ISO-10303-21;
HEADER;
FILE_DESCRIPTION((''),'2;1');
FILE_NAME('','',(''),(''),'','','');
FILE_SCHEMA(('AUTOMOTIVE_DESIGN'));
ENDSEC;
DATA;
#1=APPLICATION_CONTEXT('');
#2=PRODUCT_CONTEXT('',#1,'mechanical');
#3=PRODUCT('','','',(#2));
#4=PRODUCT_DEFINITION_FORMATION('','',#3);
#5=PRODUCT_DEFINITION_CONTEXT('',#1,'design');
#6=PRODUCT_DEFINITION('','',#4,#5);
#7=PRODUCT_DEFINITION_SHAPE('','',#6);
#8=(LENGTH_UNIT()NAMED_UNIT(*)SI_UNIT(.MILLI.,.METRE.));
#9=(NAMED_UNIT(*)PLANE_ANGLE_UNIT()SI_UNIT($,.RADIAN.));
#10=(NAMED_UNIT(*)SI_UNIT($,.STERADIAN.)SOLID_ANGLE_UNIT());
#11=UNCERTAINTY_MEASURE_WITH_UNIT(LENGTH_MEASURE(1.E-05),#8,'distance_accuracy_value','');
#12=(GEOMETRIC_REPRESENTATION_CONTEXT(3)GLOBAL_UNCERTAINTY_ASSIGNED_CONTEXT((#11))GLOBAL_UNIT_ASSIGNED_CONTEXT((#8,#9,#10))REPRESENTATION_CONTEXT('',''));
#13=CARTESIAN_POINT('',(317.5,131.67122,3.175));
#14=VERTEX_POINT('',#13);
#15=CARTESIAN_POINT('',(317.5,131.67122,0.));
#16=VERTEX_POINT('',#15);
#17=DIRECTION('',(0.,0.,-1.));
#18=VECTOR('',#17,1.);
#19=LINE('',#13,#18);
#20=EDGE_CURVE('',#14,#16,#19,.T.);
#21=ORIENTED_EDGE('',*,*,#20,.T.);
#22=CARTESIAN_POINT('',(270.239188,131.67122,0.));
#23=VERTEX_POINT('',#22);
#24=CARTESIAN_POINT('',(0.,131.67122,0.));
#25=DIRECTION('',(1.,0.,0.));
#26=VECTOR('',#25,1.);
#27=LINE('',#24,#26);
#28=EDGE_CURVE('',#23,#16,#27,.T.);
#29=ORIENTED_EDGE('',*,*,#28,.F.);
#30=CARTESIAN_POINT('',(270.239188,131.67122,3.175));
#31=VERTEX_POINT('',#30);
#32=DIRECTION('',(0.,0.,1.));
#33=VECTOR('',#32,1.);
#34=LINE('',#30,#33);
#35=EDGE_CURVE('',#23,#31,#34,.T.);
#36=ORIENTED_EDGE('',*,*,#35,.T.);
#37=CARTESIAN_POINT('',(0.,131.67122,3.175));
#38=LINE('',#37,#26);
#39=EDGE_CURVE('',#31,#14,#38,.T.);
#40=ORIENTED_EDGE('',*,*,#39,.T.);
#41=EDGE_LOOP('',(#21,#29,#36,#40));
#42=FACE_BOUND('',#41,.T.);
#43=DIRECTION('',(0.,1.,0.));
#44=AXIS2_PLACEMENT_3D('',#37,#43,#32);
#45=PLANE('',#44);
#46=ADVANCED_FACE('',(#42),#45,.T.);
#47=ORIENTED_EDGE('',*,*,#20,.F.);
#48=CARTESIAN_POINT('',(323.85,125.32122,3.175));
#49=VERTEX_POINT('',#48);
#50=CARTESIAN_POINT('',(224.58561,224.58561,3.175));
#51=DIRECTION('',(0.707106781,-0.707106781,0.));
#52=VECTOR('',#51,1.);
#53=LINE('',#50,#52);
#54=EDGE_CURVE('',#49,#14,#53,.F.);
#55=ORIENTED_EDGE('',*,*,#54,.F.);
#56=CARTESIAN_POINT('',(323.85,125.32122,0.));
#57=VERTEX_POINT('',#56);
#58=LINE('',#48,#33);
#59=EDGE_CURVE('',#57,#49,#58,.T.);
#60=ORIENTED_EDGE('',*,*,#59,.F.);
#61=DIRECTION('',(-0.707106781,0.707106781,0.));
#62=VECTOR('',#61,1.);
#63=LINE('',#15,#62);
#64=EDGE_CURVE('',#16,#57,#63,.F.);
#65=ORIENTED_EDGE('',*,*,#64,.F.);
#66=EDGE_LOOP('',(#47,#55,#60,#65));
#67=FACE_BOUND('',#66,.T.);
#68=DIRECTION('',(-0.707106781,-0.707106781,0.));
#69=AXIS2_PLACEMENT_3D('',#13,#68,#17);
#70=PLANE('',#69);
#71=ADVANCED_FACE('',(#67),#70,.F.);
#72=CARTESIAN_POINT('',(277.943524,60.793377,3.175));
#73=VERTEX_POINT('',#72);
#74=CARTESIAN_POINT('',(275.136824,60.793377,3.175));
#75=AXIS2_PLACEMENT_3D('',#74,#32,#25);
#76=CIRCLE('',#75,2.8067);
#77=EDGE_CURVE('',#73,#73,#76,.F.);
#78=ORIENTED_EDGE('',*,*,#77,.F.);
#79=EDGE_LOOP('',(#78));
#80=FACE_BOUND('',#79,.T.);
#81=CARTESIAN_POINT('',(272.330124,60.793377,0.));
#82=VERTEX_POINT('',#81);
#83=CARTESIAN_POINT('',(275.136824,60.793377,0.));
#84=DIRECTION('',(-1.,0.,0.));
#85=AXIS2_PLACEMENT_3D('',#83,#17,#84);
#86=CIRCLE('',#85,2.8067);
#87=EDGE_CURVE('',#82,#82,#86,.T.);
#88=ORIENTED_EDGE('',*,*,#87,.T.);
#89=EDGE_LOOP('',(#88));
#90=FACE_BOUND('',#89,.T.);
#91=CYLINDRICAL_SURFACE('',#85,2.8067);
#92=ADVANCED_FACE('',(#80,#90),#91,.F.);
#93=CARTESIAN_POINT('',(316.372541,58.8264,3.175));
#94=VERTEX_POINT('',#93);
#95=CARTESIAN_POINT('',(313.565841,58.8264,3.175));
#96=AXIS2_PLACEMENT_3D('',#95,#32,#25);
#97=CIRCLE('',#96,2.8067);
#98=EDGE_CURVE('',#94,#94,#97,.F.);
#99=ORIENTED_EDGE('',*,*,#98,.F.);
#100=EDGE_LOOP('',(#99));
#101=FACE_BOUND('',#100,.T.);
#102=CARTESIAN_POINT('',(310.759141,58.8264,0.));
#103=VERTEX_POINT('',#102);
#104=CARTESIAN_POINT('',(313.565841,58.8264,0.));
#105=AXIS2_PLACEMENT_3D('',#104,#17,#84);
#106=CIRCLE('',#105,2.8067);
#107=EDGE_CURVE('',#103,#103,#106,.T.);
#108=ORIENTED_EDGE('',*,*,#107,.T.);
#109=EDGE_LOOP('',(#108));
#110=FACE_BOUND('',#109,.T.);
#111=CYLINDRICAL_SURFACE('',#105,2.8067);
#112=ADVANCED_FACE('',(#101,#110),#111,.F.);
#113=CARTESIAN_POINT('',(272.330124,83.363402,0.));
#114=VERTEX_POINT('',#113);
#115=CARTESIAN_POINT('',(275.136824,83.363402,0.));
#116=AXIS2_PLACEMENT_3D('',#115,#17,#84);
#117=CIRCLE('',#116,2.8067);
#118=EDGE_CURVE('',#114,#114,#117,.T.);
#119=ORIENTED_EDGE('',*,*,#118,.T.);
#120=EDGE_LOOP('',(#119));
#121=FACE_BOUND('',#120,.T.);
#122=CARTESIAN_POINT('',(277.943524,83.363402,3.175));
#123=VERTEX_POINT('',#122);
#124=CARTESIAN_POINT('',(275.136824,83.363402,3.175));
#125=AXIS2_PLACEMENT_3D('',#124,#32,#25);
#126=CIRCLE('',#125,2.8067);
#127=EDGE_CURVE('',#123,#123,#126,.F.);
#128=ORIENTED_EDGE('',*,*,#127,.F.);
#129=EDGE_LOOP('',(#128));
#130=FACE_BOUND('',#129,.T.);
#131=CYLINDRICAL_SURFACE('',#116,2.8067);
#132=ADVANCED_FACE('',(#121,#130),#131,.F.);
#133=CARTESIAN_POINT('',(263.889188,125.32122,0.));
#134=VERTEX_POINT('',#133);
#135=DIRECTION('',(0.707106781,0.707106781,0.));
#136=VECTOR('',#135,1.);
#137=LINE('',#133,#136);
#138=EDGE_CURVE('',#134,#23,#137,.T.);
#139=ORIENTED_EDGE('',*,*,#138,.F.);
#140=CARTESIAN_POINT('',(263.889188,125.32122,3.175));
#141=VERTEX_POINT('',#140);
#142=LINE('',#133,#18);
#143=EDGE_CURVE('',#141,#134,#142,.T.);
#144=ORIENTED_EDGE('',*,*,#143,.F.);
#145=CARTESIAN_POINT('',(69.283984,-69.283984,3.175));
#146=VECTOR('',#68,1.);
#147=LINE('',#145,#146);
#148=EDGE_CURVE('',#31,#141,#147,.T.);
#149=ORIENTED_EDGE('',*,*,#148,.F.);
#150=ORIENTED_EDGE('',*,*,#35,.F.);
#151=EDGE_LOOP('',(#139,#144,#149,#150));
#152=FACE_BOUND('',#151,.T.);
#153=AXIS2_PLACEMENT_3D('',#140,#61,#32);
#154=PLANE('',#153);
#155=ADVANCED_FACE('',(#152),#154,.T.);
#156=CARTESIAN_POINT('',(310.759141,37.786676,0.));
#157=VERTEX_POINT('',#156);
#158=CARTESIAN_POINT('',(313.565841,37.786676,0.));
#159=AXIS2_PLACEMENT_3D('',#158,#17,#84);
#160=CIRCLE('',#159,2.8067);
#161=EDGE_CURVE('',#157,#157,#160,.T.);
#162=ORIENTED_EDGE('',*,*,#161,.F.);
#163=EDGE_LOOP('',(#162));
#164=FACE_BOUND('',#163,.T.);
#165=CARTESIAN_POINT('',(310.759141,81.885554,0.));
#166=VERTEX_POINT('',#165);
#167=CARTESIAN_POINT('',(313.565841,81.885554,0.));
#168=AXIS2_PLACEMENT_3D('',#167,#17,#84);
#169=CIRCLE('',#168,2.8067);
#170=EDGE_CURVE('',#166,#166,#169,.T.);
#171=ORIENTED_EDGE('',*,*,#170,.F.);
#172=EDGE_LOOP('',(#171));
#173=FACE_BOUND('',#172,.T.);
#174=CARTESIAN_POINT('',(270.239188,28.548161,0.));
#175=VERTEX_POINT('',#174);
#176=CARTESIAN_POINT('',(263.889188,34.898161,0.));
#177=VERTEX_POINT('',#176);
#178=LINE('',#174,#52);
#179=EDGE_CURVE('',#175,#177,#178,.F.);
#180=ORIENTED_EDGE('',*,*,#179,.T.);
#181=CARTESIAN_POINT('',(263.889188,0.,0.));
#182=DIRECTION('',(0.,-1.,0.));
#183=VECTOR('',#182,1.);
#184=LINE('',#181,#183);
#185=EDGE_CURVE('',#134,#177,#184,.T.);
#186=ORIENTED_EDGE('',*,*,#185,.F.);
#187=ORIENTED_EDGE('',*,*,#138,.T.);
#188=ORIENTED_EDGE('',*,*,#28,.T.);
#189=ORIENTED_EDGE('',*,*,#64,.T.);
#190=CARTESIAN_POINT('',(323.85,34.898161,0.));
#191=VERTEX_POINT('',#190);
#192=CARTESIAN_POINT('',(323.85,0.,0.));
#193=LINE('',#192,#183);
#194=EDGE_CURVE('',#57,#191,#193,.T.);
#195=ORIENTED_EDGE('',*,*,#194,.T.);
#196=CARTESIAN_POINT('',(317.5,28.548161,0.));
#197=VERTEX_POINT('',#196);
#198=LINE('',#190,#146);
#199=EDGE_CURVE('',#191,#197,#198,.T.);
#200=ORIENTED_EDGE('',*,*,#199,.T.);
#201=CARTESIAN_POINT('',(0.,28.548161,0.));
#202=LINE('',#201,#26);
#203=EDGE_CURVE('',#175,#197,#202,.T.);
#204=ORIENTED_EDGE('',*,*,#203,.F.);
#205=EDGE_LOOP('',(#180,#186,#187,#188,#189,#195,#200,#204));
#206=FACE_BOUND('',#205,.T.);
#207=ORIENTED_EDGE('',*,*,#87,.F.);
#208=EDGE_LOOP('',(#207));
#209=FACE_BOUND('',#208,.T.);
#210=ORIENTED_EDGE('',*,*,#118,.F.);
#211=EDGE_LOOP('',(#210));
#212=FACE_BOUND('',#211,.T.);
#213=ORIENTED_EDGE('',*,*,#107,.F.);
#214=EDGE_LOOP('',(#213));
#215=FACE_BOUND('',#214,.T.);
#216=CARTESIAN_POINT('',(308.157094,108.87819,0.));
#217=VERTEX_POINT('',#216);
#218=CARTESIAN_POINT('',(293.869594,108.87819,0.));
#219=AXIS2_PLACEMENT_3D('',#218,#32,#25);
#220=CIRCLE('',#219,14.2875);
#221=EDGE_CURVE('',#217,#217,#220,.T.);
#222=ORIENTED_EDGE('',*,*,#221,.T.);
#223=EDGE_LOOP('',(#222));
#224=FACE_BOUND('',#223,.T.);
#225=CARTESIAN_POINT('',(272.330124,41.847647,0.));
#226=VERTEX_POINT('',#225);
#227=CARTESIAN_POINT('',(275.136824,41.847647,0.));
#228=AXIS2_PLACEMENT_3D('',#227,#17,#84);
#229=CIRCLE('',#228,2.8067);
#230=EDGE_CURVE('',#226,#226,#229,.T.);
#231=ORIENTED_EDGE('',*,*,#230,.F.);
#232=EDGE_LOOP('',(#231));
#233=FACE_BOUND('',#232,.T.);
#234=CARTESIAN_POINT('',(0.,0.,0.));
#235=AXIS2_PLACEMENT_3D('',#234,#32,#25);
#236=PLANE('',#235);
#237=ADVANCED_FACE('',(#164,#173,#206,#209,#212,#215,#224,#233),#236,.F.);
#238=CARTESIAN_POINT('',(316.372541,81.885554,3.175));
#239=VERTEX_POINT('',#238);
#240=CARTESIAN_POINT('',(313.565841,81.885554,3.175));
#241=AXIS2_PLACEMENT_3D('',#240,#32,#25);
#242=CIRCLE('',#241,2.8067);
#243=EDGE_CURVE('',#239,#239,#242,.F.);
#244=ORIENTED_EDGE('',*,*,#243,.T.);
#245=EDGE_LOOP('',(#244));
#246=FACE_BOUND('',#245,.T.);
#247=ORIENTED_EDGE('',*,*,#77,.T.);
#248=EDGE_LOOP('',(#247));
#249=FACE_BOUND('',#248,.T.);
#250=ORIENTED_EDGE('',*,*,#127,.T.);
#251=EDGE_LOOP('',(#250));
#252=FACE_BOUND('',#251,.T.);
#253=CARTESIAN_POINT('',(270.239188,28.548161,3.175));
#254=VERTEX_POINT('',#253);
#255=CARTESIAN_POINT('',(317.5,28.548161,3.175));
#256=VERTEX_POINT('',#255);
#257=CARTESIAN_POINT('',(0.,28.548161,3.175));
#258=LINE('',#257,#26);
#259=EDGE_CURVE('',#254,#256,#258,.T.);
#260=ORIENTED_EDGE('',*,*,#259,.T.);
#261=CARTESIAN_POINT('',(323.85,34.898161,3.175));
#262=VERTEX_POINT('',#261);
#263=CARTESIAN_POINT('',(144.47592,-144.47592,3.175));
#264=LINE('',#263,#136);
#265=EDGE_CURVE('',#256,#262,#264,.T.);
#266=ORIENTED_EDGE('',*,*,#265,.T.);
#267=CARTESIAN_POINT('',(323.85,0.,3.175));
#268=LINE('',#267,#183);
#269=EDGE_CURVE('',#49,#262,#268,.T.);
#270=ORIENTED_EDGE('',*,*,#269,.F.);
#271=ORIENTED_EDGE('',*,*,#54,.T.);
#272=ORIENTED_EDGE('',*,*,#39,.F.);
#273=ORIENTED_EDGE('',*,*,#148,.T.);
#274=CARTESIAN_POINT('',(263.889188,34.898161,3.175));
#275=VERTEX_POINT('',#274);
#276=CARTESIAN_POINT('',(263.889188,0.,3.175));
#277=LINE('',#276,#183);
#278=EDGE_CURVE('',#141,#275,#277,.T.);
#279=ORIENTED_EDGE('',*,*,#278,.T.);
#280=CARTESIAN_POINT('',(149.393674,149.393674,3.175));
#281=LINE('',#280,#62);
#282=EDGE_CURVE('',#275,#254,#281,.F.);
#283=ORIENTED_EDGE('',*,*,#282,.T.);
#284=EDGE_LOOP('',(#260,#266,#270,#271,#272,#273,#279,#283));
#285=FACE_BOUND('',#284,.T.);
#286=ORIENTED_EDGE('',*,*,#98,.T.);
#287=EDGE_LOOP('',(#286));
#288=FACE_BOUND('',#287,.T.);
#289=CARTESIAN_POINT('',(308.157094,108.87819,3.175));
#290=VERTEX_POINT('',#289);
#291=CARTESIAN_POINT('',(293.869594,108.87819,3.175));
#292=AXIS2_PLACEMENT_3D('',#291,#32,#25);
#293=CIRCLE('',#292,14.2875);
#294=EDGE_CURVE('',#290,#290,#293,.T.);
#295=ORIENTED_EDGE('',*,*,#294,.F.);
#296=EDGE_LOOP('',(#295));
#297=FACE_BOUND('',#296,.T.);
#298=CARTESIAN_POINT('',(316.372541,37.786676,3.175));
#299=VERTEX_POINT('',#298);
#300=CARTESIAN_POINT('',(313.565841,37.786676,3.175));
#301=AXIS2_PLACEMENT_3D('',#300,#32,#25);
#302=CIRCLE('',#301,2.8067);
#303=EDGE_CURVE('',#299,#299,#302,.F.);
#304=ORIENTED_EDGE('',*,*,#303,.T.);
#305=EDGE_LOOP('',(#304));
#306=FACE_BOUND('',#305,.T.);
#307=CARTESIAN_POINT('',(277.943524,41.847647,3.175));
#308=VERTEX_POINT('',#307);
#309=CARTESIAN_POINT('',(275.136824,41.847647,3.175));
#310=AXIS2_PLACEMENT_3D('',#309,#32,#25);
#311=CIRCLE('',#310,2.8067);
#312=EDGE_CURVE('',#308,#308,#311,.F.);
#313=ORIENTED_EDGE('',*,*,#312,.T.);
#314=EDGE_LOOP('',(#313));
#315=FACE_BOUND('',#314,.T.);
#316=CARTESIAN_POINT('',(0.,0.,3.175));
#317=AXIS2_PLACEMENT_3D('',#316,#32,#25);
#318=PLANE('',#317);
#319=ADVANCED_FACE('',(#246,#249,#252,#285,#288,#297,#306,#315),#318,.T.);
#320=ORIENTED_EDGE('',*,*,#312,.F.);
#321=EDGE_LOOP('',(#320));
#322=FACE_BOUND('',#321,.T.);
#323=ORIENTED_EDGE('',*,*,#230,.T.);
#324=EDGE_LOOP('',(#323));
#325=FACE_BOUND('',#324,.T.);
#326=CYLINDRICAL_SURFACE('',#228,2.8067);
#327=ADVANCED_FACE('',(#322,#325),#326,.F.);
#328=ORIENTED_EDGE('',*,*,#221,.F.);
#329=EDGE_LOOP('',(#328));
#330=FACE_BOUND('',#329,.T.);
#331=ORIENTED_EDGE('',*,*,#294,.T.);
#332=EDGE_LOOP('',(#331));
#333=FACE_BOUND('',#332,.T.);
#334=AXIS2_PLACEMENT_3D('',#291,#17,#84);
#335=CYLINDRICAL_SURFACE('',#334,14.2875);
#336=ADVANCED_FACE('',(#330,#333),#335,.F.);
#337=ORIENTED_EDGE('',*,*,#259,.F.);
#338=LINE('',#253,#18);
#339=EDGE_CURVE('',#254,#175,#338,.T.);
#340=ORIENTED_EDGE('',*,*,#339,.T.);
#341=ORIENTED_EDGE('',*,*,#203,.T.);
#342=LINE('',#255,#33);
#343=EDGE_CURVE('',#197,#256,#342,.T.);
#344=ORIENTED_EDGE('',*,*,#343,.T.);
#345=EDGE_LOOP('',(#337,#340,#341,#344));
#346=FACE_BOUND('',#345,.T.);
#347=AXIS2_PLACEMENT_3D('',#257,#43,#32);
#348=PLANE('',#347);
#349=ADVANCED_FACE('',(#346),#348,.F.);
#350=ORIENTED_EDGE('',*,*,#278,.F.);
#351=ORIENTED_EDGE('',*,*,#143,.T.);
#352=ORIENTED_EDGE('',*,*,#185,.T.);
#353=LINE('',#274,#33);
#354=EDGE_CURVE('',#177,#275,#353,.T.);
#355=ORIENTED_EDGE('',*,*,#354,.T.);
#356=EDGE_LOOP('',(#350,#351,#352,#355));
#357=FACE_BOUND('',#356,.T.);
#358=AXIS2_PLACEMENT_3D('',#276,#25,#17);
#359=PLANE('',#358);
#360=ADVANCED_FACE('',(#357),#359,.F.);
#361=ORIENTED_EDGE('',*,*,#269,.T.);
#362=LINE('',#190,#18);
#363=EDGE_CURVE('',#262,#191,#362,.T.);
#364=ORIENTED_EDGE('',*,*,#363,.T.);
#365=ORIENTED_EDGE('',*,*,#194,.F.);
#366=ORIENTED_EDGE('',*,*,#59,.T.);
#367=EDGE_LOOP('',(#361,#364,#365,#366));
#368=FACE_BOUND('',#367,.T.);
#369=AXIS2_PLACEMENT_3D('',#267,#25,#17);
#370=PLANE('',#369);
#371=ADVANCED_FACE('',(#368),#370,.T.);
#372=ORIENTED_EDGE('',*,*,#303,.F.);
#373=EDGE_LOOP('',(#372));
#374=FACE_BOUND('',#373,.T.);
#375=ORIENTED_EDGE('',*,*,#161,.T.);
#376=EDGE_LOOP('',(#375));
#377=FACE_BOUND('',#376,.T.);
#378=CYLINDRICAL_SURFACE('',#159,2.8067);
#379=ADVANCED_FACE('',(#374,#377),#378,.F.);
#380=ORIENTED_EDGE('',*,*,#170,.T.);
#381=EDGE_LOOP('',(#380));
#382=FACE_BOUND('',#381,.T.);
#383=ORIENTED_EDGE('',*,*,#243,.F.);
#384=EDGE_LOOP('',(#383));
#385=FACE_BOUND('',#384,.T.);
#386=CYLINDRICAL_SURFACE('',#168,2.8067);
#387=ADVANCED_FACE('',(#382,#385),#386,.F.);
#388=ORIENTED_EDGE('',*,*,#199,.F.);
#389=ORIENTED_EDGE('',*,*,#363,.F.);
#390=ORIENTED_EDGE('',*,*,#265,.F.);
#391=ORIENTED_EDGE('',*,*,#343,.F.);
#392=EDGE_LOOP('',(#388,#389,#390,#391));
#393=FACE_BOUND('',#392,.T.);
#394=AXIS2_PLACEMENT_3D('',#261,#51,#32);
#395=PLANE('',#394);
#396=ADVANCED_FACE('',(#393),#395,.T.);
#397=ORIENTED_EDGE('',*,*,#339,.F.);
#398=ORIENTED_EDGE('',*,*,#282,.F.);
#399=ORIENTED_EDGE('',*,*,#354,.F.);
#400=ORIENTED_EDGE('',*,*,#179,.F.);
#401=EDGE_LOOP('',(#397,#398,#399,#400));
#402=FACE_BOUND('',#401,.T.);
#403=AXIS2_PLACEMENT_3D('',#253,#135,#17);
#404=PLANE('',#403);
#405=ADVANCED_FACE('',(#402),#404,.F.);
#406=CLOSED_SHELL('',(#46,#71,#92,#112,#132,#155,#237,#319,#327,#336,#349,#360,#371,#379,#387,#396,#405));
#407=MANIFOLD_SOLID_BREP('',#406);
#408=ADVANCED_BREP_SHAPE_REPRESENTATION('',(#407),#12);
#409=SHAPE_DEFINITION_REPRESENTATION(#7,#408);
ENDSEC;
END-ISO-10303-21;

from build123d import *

# Parameters (mm, degrees)
SKETCH1_W              = 59.960812413
SKETCH1_H              = 103.12305947
SKETCH1_R              = 14.2875
BOSS_EXTRUDE1_DEPTH    = 3.175
CHAMFER1_SIZE          = 6.35
F_10_CLEARANCE_HOLE1_D = 5.6134


with BuildPart() as part:
    # Sketch1 → Boss-Extrude1 (new body)
    with BuildSketch(Plane.XY):
        with Locations((293.869593794, 80.109690656)):
            Rectangle(SKETCH1_W, SKETCH1_H)
        with Locations((293.869593793, 108.878190342)):
            Circle(SKETCH1_R, mode=Mode.SUBTRACT)
    extrude(amount=BOSS_EXTRUDE1_DEPTH)

    # Chamfer1
    chamfer1_edges = [part.edges().sort_by_distance(p)[0] for p in [
        (323.85, 28.548160921, 1.5875),
        (263.889187587, 28.548160921, 1.5875),
        (263.889187587, 131.671220391, 1.5875),
        (323.85, 131.671220391, 1.5875),
    ]]
    chamfer(chamfer1_edges, length=CHAMFER1_SIZE)

    # #10 Clearance Hole1 (through all)
    with Locations(Plane(origin=(0, 0, 0), x_dir=(1, 0, 0), z_dir=(0, 0, -1))):
        with Locations((275.136823716, -83.363402248), (275.136823716, -60.793377217), (313.56584092, -58.826399941), (313.56584092, -81.885554343), (275.136823716, -41.847646884), (313.56584092, -37.78667564)):
            Hole(F_10_CLEARANCE_HOLE1_D / 2)


solid = part.part
